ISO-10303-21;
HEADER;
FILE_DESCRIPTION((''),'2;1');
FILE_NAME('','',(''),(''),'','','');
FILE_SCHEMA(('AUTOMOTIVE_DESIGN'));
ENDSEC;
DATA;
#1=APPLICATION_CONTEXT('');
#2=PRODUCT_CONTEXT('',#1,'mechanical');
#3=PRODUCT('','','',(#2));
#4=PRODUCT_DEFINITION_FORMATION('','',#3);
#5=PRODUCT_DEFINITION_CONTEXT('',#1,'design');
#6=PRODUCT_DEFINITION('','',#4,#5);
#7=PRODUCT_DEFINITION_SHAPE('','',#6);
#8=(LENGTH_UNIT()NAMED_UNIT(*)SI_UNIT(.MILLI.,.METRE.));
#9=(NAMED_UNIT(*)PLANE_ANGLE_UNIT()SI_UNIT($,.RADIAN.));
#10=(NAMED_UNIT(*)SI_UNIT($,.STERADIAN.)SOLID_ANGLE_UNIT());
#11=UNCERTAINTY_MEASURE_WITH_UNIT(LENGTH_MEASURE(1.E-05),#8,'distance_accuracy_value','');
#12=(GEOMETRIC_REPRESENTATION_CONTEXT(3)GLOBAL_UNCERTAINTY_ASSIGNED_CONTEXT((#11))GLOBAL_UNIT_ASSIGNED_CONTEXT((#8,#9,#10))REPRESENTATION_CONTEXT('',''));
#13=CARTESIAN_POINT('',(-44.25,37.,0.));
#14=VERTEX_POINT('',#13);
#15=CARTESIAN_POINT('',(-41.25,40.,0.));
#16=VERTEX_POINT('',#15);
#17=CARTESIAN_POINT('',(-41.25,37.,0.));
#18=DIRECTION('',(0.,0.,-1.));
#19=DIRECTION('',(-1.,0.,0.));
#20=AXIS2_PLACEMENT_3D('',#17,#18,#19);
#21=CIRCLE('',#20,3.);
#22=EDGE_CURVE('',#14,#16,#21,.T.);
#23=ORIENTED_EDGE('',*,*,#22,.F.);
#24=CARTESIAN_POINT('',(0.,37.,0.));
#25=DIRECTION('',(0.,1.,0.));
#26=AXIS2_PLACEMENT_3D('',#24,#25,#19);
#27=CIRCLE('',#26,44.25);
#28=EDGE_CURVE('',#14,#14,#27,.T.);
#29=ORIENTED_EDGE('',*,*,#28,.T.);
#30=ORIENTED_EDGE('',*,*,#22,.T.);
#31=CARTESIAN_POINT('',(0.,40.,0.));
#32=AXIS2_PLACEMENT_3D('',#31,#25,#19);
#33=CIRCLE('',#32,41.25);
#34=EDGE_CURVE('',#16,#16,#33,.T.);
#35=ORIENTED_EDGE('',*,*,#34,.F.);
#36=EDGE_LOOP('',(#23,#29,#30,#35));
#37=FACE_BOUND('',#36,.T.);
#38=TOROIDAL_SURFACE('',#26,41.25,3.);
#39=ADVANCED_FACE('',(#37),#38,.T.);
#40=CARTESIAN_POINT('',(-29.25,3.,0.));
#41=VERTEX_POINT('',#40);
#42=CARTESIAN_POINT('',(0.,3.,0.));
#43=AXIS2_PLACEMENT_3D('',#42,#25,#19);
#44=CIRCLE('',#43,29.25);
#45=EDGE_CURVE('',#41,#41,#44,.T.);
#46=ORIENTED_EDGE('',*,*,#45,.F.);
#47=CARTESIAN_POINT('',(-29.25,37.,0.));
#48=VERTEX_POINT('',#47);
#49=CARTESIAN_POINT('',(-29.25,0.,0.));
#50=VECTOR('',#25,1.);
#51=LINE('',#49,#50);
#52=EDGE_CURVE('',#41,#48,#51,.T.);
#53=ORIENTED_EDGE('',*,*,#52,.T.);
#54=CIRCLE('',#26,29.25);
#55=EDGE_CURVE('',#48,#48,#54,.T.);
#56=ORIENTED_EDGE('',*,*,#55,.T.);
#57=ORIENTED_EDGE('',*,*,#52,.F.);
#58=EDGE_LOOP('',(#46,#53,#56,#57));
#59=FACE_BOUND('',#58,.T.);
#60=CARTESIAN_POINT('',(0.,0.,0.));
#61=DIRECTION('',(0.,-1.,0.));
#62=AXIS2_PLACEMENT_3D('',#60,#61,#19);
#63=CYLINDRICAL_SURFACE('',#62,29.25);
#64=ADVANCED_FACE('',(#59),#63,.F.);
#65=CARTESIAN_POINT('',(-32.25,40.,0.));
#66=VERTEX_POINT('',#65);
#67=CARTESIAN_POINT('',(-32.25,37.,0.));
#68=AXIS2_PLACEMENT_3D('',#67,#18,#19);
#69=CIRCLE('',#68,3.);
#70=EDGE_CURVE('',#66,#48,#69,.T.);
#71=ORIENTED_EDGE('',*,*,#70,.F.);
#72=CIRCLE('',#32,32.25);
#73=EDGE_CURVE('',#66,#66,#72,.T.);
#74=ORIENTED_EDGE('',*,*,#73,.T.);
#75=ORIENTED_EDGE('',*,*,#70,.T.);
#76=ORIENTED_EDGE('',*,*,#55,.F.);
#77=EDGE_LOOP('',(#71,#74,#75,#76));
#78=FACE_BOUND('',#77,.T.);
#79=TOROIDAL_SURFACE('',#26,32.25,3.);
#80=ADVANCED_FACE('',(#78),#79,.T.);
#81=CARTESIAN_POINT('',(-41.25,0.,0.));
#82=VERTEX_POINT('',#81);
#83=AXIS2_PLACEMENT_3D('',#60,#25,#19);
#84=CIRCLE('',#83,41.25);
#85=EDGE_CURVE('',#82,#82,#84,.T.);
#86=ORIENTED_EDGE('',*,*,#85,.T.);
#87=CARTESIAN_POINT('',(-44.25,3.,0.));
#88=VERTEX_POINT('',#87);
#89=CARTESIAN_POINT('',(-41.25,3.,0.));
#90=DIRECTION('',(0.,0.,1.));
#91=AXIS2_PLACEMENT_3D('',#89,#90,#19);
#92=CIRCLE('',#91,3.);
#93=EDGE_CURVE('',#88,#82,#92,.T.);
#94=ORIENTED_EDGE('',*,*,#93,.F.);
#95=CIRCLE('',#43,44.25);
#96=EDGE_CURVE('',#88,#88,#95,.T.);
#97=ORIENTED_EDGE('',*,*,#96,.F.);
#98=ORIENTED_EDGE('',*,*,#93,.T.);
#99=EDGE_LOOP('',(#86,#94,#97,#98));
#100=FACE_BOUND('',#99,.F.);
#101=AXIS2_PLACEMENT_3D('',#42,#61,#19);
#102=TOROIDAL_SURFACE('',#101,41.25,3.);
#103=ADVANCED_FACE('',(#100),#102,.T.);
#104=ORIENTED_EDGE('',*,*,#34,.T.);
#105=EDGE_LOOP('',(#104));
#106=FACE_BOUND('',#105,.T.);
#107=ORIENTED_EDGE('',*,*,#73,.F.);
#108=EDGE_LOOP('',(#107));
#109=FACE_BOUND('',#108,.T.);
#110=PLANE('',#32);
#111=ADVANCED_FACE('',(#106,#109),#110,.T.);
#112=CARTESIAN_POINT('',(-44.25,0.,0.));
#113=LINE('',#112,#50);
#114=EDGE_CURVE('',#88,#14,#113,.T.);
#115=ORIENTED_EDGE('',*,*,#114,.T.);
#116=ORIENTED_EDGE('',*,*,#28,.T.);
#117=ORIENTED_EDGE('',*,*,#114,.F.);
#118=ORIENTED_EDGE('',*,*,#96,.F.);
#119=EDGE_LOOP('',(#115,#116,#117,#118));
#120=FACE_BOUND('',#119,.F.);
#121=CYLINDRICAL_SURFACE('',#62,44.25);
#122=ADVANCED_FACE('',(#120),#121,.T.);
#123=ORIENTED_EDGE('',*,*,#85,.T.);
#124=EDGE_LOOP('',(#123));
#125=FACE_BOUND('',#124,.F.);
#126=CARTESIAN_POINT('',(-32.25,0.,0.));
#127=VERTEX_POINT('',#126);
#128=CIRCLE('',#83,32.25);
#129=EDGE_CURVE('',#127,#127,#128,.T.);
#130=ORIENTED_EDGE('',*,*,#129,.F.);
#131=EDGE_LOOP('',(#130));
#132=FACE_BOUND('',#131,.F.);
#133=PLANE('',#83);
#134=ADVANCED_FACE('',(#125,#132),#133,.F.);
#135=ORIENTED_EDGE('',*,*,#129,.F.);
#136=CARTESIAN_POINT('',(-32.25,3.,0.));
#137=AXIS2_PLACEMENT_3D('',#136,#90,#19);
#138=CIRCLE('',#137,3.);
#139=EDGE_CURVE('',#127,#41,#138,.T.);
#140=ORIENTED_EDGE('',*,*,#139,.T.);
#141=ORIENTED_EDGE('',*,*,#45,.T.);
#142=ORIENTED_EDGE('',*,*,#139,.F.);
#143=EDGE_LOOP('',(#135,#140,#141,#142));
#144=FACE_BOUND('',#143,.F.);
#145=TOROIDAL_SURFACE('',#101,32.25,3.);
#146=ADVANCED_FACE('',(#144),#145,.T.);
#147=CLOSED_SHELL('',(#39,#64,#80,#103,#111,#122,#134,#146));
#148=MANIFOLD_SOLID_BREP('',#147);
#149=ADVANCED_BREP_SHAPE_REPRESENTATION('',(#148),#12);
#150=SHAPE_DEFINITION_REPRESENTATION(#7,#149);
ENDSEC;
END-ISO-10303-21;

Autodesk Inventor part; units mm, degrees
ref_plane "YZ Plane" through (0, 0, 0) normal (1, 0, 0) x (0, 1, 0)
ref_plane "XZ Plane" through (0, 0, 0) normal (0, 1, 0) x (-1, 0, 0)
ref_plane "XY Plane" through (0, 0, 0) normal (0, 0, 1) x (1, 0, 0)
sketch "Sketch1" plane through (0, 0, 0) normal (0, 1, 0) x (-1, 0, 0)
  circle A0 centre (0, 0) radius 29.25
  circle A1 centre (0, 0) radius 44.25
  dimension "d0" = 58.5
  dimension "d1" = 15
extrude "Extrusion1" add sketch "Sketch1" along normal blind 40
fillet "Fillet1" radius 3 2 edges at (44.25, 40, 0) (44.25, 0, 0)
fillet "Fillet2" radius 3 2 edges at (29.25, 40, 0) (29.25, 0, 0)
properties part number "guma"
